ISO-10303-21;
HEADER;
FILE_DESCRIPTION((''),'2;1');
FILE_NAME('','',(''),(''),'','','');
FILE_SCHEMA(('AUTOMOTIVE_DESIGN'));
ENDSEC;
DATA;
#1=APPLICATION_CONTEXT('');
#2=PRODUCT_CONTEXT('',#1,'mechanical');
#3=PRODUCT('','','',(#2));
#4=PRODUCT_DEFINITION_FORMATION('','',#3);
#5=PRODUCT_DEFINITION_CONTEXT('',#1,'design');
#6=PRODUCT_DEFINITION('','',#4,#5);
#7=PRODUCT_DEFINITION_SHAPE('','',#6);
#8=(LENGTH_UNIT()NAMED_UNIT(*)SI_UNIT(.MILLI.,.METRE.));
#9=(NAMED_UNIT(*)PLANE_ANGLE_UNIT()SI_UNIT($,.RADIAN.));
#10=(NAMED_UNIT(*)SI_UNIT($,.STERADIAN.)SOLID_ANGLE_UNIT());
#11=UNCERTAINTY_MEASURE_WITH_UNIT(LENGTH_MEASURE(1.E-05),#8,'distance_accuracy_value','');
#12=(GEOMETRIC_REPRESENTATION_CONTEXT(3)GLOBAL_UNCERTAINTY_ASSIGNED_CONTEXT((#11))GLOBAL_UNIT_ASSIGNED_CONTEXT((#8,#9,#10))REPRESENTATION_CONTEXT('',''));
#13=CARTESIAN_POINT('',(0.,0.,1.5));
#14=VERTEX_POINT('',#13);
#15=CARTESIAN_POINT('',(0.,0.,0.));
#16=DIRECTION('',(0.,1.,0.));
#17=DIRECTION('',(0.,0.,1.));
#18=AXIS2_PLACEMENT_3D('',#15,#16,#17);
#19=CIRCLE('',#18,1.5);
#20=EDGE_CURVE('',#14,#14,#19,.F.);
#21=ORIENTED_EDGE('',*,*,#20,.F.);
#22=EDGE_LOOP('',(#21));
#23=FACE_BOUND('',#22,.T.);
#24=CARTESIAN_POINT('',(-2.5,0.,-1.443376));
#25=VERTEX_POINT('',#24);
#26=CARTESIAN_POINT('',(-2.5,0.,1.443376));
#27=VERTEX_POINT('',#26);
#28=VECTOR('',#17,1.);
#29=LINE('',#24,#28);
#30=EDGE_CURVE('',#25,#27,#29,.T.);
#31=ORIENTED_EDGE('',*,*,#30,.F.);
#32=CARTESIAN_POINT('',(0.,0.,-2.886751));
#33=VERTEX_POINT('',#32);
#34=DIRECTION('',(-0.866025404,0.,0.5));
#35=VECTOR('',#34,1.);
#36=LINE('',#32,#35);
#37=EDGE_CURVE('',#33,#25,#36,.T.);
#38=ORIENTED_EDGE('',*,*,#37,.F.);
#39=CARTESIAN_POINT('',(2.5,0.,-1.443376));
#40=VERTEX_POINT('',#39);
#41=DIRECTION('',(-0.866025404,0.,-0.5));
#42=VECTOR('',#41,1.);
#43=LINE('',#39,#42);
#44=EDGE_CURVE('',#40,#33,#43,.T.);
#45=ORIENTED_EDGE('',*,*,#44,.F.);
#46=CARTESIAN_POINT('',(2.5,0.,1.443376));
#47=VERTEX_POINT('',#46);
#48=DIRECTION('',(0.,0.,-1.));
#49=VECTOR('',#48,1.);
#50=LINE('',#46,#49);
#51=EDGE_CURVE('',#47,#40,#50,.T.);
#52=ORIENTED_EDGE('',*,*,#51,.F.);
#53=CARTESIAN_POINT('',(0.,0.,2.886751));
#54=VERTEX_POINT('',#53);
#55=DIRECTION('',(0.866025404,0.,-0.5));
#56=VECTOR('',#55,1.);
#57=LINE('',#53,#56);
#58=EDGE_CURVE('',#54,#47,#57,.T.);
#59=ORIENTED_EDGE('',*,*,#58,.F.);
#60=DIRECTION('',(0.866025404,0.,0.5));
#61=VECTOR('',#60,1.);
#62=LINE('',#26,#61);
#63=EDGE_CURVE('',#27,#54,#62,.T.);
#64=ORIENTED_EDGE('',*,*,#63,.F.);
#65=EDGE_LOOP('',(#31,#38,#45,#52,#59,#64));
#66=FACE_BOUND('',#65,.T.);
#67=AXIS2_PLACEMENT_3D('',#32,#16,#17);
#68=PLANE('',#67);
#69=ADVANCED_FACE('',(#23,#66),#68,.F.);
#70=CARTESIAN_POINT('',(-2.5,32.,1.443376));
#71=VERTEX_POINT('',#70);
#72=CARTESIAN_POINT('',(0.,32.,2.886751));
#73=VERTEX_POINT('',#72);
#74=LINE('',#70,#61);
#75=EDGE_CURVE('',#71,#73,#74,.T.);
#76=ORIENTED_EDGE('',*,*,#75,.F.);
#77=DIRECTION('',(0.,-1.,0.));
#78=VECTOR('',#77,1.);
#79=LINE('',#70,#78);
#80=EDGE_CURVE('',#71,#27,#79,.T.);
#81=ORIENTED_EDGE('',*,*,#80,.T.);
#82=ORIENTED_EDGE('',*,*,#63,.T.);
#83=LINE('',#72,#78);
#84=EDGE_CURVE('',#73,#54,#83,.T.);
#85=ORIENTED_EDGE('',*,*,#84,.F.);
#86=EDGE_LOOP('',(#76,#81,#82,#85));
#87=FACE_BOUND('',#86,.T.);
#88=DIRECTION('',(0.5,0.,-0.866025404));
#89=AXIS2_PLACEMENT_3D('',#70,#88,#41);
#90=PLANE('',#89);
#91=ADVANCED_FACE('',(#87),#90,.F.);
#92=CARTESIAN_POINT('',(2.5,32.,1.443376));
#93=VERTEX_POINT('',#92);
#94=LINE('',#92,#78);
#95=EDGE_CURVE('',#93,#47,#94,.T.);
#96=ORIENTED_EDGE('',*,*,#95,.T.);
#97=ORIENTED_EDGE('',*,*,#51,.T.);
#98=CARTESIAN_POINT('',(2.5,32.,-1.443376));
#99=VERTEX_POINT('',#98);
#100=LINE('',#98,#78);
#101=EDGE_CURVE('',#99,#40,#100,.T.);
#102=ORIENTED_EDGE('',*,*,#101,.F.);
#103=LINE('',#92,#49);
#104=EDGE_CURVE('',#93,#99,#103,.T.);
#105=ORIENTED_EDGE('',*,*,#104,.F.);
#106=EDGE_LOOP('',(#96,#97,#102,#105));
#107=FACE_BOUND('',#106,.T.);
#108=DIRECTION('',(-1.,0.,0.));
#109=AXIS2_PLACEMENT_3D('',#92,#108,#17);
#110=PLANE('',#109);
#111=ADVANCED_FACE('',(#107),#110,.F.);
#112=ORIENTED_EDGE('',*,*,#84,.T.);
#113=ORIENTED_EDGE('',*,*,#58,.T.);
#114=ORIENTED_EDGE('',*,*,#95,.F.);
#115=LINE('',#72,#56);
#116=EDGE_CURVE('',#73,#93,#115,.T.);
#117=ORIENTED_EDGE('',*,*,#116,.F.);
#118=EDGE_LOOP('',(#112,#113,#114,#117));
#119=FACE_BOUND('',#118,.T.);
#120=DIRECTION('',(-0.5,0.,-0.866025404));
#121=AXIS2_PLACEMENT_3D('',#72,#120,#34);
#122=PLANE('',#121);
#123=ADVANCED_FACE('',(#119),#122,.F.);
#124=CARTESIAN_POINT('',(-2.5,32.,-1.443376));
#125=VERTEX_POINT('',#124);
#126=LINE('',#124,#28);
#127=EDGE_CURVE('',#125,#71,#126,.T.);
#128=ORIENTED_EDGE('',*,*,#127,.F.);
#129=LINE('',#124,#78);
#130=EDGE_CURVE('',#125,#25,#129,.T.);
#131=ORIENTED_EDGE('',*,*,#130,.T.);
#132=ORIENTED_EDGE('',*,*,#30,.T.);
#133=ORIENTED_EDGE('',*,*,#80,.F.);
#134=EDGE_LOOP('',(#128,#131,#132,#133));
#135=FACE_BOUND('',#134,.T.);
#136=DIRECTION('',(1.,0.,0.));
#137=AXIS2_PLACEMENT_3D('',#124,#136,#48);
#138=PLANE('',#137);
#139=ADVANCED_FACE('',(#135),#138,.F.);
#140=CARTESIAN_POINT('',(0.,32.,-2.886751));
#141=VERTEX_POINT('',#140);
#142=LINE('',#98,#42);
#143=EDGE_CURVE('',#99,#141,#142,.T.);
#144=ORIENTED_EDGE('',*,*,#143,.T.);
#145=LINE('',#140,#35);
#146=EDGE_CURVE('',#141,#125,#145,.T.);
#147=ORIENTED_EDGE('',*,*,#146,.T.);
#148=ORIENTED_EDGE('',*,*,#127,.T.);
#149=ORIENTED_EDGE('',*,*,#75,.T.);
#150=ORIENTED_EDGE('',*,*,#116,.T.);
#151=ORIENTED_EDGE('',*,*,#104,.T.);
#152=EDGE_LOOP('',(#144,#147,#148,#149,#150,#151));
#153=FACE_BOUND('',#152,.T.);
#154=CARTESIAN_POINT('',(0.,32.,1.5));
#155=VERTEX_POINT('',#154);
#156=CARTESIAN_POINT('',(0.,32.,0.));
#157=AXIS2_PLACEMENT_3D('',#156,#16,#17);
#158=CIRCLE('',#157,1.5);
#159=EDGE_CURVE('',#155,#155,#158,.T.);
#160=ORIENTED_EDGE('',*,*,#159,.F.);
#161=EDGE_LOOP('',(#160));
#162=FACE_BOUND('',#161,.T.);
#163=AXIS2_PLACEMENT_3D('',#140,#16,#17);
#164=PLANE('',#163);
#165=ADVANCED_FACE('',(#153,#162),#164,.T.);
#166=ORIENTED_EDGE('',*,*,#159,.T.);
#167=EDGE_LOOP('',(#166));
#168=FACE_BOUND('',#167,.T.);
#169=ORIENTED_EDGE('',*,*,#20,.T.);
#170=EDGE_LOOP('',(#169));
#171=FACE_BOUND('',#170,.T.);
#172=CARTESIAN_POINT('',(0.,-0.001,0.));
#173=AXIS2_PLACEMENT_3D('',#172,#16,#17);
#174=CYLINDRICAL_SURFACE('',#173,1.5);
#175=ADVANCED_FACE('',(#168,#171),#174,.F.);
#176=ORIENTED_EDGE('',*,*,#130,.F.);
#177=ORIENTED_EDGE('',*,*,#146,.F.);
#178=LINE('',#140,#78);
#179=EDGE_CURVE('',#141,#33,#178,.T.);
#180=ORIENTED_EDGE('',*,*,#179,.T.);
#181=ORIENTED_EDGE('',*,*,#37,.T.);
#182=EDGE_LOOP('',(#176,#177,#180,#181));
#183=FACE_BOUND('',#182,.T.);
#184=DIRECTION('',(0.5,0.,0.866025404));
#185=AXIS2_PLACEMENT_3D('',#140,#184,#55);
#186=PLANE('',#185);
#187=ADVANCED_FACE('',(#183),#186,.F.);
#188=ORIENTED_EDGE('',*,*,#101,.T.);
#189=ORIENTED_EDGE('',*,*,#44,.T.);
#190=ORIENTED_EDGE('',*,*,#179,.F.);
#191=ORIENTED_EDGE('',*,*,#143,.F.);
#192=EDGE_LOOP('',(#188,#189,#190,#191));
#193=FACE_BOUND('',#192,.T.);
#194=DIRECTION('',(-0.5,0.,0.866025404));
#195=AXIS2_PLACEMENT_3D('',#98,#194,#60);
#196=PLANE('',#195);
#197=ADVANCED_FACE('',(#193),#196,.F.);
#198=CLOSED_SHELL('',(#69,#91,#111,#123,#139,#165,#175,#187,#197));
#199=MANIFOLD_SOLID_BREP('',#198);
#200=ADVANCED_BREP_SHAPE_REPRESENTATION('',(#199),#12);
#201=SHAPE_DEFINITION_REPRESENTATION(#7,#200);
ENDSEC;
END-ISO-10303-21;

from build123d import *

# Parameters (mm, degrees)
EXTRUDE_1_DEPTH     = 32
CUT_EXTRUDE_1_REACH = 34.227
SKETCH_2_R          = 1.5


with BuildPart() as part:
    # 草圖1 → 填料-伸長1 (new body)
    with BuildSketch(Plane(origin=(0, 0, 0), x_dir=(1, 0, 0), z_dir=(0, 1, 0))):
        Polygon((0, 2.886751346), (-2.5, 1.443375673), (-2.5, -1.443375673), (0, -2.886751346), (2.5, -1.443375673), (2.5, 1.443375673), align=None)
    extrude(amount=EXTRUDE_1_DEPTH)

    # 草圖2 → 除料-伸長1 (cut, up to next)
    with BuildSketch(Plane(origin=(0, 32, 0), x_dir=(-1, 0, 0), z_dir=(0, 1, 0)), mode=Mode.PRIVATE) as cut_extrude_1_sk1:
        with Locations(Location((0, 0, 0), (0, 0, 90))):
            Circle(SKETCH_2_R)
    cut_extrude_1_tool1 = extrude(cut_extrude_1_sk1.sketch, amount=-CUT_EXTRUDE_1_REACH, mode=Mode.PRIVATE) & part.part
    add(cut_extrude_1_tool1.solids().sort_by_distance((0, 32, 0))[0], mode=Mode.SUBTRACT)


solid = part.part
